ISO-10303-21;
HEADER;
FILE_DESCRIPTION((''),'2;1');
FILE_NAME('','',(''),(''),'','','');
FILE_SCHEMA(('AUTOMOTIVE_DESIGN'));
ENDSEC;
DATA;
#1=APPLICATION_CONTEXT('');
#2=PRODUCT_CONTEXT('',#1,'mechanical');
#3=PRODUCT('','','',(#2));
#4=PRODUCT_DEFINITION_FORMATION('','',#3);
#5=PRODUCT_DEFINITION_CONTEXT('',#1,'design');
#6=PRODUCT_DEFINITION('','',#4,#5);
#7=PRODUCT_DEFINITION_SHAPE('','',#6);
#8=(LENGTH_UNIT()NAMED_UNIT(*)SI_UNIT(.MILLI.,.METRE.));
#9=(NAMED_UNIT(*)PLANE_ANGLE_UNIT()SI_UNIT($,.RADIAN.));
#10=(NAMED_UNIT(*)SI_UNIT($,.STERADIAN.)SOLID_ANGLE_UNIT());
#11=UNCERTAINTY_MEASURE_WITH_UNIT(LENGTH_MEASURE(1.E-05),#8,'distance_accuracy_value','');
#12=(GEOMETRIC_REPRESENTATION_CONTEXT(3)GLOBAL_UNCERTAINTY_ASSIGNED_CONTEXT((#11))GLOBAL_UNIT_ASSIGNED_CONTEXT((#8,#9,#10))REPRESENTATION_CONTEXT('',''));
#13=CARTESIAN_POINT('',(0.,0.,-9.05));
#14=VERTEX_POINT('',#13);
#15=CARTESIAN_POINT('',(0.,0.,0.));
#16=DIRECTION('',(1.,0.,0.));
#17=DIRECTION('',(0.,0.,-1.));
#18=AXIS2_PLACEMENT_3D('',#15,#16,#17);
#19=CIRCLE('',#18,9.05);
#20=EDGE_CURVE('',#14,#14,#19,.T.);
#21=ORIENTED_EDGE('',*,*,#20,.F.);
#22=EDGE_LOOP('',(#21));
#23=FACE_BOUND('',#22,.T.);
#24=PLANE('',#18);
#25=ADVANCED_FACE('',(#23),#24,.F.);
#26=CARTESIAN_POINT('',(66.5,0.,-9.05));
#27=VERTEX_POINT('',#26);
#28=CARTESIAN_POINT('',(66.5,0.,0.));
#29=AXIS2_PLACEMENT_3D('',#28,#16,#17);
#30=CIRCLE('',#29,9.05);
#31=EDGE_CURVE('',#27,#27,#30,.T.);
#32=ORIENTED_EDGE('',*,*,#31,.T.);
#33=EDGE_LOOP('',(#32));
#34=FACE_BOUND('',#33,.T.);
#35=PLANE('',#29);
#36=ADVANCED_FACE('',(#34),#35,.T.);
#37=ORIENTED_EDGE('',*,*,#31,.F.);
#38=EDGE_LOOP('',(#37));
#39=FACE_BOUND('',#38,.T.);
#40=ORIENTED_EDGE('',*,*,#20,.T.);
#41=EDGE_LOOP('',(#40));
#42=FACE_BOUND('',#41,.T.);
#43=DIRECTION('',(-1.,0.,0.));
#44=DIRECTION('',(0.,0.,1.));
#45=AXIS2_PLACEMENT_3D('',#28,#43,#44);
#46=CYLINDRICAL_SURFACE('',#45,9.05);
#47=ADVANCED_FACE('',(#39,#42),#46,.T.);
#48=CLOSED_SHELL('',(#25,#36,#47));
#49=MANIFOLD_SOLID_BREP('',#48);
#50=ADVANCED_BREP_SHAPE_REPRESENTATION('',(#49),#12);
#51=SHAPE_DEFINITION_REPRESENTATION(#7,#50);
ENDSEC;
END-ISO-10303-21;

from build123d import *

# Parameters (mm, degrees)
ESBO_O1_R                = 9.05
RESSALTO_EXTRUS_O1_DEPTH = 66.5


with BuildPart() as part:
    # Esboço1 → Ressalto-extrusão1 (new body)
    with BuildSketch(Plane(origin=(0, 0, 0), x_dir=(0, 0, -1), z_dir=(1, 0, 0))):
        Circle(ESBO_O1_R)
    extrude(amount=RESSALTO_EXTRUS_O1_DEPTH)


solid = part.part
